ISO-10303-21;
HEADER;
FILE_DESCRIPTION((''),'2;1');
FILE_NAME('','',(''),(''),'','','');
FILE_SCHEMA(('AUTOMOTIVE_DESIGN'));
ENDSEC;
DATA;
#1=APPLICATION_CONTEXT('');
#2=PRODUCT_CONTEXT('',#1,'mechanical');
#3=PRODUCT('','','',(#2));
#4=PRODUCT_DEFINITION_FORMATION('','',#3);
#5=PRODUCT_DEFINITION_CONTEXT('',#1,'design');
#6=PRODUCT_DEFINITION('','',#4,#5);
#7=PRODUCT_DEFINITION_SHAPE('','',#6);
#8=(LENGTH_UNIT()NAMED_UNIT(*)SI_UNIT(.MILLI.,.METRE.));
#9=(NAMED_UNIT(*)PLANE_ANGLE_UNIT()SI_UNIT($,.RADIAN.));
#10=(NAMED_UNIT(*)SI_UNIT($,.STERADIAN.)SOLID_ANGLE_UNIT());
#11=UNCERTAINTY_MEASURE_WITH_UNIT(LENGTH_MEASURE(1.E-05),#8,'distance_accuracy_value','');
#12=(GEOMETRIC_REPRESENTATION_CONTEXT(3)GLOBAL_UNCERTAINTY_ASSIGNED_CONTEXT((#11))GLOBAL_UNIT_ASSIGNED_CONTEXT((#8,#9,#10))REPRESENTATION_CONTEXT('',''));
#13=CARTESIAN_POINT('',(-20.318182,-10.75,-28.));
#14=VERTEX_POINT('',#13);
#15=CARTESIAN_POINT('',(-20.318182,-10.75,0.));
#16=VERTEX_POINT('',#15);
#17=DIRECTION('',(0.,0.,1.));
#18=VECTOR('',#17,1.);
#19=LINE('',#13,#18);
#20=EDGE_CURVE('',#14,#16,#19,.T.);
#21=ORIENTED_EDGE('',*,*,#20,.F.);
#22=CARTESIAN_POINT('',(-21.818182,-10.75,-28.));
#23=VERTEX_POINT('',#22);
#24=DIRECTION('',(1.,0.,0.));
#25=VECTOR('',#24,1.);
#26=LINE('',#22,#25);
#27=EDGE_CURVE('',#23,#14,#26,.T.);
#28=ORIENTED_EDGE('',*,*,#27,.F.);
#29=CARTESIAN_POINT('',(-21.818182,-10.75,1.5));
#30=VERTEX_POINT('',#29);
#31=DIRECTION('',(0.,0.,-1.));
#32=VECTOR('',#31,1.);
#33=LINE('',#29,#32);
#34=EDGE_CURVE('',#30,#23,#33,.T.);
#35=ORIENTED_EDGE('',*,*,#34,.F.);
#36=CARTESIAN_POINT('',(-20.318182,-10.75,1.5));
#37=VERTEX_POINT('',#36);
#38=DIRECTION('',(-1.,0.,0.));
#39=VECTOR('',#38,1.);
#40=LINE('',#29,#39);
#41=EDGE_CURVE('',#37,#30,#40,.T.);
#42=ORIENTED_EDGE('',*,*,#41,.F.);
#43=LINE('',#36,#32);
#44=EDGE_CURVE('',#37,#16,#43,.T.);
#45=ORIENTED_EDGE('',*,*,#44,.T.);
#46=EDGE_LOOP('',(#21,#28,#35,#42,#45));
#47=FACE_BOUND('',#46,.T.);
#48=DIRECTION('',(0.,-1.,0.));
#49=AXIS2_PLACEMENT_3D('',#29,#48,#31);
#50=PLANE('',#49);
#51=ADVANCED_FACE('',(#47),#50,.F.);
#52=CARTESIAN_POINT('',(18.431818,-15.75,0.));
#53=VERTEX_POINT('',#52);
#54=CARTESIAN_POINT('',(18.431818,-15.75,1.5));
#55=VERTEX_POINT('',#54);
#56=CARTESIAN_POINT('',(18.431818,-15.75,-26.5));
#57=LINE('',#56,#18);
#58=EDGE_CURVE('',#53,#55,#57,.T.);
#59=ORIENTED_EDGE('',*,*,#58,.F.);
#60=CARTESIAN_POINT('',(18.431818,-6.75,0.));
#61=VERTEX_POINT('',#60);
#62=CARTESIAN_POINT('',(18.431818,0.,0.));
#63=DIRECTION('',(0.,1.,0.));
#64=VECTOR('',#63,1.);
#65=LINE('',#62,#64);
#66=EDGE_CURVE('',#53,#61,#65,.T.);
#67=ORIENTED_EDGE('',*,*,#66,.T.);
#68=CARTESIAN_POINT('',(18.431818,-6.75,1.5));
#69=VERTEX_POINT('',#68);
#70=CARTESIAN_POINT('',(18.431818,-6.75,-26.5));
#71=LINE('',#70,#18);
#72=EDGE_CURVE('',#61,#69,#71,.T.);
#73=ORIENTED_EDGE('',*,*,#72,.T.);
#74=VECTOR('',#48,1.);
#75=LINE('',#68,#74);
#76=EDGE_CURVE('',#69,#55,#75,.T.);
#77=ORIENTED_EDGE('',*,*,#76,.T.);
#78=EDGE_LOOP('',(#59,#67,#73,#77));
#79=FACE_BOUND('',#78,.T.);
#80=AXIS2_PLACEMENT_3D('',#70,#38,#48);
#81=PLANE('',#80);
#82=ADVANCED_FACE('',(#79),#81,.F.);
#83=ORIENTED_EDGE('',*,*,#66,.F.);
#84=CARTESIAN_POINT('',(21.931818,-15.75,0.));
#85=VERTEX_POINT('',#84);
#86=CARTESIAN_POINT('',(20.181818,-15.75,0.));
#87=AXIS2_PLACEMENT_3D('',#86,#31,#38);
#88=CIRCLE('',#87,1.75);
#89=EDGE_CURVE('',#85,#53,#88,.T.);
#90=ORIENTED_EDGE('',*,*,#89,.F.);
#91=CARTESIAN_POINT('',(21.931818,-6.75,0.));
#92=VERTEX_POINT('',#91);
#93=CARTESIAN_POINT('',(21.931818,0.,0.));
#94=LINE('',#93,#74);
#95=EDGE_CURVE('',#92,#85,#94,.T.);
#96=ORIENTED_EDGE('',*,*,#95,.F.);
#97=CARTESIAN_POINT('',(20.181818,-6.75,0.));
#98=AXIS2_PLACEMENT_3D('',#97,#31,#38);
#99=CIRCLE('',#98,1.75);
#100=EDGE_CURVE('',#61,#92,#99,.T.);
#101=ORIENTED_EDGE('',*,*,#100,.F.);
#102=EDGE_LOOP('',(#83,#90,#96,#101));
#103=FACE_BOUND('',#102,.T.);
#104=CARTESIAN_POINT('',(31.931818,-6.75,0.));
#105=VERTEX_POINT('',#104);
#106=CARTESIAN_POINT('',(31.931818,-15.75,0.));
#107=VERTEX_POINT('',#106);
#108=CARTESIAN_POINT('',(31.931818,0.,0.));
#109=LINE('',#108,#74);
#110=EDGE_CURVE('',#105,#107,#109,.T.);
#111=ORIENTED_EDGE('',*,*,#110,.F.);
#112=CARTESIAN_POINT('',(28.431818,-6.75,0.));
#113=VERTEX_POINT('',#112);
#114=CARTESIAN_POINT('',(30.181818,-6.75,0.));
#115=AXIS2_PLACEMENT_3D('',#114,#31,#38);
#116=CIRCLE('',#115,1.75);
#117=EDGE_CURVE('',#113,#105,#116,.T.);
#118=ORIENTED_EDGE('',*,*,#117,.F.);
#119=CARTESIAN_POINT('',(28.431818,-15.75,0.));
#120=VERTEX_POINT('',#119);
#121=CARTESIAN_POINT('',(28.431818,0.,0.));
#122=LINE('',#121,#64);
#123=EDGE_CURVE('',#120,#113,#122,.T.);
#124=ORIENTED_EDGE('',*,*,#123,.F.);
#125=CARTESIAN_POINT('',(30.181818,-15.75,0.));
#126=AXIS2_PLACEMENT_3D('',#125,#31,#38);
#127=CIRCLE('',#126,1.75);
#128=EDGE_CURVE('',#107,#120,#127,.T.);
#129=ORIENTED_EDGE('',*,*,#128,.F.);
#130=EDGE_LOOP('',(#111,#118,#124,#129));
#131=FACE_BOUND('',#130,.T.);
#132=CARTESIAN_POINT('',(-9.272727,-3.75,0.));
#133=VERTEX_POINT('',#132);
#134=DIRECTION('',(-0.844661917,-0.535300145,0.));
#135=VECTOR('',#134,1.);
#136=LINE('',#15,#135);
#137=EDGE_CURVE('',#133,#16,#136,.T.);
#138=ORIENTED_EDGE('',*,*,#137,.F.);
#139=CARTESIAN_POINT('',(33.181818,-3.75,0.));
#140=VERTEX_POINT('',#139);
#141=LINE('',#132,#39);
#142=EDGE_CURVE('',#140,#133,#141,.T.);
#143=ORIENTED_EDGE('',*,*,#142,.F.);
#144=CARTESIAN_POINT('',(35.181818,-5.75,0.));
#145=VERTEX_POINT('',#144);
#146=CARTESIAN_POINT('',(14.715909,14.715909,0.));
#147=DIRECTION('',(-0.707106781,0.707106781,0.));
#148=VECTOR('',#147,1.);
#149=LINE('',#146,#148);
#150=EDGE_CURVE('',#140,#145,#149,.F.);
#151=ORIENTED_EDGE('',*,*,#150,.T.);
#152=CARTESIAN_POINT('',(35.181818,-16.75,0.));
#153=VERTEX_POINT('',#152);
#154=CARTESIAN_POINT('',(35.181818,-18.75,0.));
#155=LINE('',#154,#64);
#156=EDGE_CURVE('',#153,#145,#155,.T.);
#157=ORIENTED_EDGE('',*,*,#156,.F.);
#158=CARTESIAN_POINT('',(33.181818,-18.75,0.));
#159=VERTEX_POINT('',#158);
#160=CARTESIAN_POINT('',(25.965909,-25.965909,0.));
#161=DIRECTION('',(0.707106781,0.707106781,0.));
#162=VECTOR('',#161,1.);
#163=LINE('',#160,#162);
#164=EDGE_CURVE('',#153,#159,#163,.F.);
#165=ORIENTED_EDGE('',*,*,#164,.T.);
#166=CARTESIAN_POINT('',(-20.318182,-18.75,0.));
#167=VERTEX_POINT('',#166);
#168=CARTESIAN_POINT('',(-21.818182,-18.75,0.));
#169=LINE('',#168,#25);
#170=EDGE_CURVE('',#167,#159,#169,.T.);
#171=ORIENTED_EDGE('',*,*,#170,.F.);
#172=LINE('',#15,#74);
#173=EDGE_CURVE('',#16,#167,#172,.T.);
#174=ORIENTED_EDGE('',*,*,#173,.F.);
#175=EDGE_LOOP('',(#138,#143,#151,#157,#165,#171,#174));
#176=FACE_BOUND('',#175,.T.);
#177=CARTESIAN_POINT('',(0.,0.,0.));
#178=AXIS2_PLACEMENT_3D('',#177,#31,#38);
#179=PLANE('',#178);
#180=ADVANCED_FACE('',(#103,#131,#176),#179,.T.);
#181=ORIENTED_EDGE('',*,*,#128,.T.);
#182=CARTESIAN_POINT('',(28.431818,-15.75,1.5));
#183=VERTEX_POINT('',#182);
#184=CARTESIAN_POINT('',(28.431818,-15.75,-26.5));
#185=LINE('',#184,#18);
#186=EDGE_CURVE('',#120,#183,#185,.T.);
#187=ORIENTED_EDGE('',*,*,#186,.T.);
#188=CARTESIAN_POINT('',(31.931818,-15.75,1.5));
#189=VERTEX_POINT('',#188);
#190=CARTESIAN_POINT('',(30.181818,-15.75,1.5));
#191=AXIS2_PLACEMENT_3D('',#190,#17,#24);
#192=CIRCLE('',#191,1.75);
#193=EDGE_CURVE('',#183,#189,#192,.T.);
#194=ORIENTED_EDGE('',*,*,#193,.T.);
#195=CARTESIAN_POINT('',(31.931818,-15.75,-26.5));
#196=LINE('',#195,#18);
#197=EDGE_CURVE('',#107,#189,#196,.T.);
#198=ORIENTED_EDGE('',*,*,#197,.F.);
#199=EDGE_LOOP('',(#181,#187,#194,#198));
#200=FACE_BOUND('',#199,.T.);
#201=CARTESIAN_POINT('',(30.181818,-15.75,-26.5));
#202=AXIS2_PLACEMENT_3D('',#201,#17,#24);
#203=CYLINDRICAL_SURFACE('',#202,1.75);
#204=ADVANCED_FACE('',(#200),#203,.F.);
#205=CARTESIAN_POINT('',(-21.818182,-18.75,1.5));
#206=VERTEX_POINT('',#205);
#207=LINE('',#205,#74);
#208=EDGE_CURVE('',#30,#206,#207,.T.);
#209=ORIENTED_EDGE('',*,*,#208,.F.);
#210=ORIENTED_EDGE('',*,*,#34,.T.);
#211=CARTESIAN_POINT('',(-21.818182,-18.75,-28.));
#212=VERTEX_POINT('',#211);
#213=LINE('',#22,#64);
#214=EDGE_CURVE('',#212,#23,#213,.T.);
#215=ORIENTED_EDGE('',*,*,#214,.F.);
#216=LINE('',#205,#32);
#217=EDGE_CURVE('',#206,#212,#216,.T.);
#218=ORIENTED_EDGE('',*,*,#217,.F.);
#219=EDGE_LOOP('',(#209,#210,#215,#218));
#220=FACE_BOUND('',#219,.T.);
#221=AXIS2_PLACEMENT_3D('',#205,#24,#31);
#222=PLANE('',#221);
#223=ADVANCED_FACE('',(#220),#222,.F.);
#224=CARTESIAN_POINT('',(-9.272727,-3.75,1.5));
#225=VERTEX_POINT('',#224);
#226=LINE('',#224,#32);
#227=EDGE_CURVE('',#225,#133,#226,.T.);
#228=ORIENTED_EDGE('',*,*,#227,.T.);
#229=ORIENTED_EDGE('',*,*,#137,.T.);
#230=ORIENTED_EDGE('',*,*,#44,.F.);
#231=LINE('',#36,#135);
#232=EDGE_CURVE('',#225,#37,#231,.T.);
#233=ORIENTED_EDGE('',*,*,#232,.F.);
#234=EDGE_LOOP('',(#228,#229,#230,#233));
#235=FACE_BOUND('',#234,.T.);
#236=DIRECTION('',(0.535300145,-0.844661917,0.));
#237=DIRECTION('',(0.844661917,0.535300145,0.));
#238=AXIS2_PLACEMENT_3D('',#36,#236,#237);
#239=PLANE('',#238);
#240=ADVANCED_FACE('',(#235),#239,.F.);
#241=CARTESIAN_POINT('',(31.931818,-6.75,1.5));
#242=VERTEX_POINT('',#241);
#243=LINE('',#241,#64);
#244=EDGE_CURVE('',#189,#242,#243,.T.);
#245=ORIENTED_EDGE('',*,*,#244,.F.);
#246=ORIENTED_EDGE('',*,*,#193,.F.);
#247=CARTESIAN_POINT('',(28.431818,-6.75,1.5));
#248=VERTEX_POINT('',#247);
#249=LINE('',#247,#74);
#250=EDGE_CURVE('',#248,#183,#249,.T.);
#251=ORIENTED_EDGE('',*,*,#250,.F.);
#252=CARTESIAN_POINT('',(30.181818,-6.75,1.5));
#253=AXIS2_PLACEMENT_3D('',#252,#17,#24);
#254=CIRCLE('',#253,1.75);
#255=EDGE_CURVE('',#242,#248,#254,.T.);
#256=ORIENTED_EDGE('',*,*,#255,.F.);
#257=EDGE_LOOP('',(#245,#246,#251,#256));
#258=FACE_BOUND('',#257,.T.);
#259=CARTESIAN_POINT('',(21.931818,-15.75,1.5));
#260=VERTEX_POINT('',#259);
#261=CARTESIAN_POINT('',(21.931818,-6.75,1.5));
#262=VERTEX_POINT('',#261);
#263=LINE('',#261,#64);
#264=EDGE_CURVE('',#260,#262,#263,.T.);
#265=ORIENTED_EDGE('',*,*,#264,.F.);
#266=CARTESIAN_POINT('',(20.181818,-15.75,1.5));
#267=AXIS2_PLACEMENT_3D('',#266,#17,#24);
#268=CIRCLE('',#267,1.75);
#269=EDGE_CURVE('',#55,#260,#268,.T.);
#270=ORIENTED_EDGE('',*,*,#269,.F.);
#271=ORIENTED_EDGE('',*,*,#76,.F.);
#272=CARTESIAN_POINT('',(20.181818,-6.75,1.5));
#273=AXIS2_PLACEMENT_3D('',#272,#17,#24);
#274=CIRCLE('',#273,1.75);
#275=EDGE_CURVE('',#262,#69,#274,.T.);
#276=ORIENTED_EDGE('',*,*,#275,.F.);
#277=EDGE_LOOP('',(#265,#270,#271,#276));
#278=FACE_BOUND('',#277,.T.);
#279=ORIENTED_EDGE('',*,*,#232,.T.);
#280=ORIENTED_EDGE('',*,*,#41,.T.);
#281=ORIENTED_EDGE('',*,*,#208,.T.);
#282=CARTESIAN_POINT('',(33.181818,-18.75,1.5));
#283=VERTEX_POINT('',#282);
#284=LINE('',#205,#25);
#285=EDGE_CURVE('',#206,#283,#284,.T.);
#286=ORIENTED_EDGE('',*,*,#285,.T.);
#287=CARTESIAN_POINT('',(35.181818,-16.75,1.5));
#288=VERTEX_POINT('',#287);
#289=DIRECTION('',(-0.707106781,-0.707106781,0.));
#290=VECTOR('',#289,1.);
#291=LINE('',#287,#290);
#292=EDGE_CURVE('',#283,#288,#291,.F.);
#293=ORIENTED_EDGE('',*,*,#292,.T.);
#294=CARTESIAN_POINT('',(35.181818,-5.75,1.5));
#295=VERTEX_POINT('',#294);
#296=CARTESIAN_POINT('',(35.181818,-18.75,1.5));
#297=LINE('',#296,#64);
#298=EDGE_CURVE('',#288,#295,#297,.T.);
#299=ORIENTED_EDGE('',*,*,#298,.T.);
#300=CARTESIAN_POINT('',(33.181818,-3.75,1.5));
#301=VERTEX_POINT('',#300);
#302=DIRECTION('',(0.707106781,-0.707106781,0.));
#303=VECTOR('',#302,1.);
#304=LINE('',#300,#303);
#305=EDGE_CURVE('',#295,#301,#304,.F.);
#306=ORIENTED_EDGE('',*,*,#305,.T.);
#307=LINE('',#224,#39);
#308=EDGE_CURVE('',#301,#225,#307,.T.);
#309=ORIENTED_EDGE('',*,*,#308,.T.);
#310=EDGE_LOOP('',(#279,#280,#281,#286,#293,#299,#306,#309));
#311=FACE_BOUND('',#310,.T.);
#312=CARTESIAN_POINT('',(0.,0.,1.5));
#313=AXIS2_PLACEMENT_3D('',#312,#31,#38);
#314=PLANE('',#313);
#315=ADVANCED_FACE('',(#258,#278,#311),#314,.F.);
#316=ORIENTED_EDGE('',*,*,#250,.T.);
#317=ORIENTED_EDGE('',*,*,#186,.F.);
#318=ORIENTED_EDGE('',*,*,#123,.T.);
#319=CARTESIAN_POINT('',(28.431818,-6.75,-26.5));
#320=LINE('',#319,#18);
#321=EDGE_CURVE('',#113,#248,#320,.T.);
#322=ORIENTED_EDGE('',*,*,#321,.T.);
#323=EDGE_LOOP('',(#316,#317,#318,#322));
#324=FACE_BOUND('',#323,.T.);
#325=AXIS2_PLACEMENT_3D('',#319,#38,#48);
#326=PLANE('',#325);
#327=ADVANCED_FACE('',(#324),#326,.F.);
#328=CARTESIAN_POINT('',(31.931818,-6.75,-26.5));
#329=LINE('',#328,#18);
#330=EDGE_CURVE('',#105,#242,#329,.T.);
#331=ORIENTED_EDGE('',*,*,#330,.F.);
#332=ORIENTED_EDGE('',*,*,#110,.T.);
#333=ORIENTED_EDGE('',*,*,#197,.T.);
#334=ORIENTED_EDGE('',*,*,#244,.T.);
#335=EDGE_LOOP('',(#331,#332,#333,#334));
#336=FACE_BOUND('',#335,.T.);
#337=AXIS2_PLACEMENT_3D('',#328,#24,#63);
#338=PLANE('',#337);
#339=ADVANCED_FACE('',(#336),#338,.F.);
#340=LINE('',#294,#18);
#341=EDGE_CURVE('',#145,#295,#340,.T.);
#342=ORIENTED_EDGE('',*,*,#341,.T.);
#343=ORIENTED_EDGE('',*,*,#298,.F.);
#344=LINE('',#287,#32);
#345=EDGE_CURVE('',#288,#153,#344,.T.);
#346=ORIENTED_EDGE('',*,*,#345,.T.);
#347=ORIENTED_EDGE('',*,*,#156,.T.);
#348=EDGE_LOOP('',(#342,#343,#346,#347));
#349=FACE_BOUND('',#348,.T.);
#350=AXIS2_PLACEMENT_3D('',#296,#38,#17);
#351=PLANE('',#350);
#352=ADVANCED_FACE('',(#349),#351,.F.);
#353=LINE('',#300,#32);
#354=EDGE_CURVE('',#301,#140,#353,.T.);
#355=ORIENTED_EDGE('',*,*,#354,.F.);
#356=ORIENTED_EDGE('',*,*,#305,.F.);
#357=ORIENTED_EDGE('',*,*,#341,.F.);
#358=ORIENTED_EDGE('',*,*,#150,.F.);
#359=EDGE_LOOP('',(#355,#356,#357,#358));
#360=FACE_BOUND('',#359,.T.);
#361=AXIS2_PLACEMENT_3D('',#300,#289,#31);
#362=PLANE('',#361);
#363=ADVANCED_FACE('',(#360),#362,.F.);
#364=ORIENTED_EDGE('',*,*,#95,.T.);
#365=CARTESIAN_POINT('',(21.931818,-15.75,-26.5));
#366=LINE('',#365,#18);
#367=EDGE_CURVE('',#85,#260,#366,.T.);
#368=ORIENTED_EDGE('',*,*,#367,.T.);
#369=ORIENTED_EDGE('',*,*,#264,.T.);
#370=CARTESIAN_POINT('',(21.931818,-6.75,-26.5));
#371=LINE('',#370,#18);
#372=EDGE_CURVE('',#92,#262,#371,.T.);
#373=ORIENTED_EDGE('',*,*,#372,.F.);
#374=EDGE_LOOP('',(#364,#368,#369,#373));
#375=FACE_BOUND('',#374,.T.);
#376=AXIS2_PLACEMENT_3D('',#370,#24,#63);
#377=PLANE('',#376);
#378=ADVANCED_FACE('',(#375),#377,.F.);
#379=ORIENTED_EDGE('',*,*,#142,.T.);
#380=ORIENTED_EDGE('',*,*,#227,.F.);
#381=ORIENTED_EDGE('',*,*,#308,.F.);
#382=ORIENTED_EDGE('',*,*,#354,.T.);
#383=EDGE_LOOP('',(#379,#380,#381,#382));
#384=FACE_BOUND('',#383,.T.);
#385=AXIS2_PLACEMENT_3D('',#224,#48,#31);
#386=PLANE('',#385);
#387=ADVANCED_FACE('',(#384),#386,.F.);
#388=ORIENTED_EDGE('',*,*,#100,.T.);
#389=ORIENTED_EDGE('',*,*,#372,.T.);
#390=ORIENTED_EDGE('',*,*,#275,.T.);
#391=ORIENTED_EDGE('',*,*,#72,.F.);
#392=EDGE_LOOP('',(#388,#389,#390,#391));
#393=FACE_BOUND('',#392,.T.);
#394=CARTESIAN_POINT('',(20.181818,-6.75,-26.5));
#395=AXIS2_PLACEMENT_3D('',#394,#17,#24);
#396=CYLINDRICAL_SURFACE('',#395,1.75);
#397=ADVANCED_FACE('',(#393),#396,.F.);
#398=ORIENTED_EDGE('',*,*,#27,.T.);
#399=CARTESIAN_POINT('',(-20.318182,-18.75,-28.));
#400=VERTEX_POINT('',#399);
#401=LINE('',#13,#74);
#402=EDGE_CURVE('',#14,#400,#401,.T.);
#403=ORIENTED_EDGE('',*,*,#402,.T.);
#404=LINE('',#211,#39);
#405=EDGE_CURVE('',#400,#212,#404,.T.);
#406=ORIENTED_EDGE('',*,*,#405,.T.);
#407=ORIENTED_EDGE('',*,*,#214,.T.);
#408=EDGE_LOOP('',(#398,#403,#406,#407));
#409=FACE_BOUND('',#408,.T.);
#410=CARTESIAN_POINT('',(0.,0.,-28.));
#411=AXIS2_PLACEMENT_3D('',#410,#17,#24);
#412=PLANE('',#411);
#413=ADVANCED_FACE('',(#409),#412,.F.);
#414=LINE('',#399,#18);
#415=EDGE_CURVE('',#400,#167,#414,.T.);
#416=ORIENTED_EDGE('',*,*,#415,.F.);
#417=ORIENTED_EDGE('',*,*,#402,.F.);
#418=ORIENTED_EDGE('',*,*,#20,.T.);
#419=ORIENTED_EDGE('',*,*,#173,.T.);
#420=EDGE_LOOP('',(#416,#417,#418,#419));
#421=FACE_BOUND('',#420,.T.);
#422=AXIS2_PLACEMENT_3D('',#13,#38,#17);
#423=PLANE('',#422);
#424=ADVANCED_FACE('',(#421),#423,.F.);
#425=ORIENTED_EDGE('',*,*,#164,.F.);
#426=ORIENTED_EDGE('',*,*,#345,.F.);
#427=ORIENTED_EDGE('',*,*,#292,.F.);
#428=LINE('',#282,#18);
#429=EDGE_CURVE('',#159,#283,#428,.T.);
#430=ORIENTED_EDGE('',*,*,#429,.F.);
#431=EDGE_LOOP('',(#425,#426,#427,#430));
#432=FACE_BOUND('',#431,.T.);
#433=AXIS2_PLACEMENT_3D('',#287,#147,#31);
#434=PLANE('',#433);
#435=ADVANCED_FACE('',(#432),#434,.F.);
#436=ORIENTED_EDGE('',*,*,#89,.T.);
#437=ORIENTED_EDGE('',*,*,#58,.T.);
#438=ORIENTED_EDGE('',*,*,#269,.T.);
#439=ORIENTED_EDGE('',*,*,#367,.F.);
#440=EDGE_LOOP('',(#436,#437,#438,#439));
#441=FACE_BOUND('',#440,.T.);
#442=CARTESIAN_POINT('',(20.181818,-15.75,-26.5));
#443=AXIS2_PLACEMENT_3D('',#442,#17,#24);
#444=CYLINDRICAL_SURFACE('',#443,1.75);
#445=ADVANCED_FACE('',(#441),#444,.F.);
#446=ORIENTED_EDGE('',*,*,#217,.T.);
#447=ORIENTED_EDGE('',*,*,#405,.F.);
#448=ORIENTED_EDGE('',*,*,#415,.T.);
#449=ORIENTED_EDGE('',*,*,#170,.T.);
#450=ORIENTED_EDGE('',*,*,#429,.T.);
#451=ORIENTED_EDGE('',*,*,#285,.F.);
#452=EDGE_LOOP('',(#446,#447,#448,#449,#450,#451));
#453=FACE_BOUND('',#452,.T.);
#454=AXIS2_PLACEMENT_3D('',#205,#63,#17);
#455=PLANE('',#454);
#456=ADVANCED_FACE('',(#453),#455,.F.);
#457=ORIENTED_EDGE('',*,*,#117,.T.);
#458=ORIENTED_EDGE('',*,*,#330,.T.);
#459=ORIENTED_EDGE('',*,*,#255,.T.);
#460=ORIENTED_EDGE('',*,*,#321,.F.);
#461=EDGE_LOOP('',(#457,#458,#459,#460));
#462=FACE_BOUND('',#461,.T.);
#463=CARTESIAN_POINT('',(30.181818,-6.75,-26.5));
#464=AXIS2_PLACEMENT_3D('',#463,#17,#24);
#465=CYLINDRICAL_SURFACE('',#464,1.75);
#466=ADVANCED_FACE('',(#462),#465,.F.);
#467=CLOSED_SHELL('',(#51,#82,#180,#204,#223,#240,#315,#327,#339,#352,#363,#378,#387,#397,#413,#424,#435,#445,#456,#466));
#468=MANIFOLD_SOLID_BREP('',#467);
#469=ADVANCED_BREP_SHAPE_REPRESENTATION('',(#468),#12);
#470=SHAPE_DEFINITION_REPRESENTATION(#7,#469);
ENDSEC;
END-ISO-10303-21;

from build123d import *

# Parameters (mm, degrees)
BOSS_EXTRUDE2_DEPTH = 1.5
SKETCH5_W           = 1.5
SKETCH5_H           = 8
BOSS_EXTRUDE3_DEPTH = 28
CUT_EXTRUDE1_DEPTH  = 28
CHAMFER1_SIZE       = 2


with BuildPart() as part:
    # Sketch4 → Boss-Extrude2 (new body)
    with BuildSketch(Plane.XY):
        Polygon((-21.818181818, -18.75), (35.181818182, -18.75), (35.181818182, -3.75), (-9.272727273, -3.75), (-20.318181818, -10.75), (-21.818181818, -10.75), align=None)
    extrude(amount=BOSS_EXTRUDE2_DEPTH)

    # Sketch5 → Boss-Extrude3 (add)
    with BuildSketch(Plane(origin=(0, 0, 0), x_dir=(-1, 0, 0), z_dir=(0, 0, -1))):
        with Locations((21.068181818, -14.75)):
            Rectangle(SKETCH5_W, SKETCH5_H)
    extrude(amount=BOSS_EXTRUDE3_DEPTH)

    # Sketch6 → Cut-Extrude1 (cut)
    with BuildSketch(Plane.XY.offset(1.5)):
        with BuildLine():
            Line((18.431818182, -6.75), (18.431818182, -15.75))
            ThreePointArc((18.431818182, -15.75), (20.181818182, -17.5), (21.931818182, -15.75))
            Line((21.931818182, -15.75), (21.931818182, -6.75))
            ThreePointArc((21.931818182, -6.75), (20.181818182, -5), (18.431818182, -6.75))
        make_face()
        with BuildLine():
            Line((28.431818182, -6.75), (28.431818182, -15.75))
            ThreePointArc((28.431818182, -15.75), (30.181818182, -17.5), (31.931818182, -15.75))
            Line((31.931818182, -15.75), (31.931818182, -6.75))
            ThreePointArc((31.931818182, -6.75), (30.181818182, -5), (28.431818182, -6.75))
        make_face()
    extrude(amount=-CUT_EXTRUDE1_DEPTH, mode=Mode.SUBTRACT)

    # Chamfer1
    chamfer1_edges = [part.edges().sort_by_distance(p)[0] for p in [
        (35.181818182, -3.75, 0.75),
        (35.181818182, -18.75, 0.75),
    ]]
    chamfer(chamfer1_edges, length=CHAMFER1_SIZE)


solid = part.part
